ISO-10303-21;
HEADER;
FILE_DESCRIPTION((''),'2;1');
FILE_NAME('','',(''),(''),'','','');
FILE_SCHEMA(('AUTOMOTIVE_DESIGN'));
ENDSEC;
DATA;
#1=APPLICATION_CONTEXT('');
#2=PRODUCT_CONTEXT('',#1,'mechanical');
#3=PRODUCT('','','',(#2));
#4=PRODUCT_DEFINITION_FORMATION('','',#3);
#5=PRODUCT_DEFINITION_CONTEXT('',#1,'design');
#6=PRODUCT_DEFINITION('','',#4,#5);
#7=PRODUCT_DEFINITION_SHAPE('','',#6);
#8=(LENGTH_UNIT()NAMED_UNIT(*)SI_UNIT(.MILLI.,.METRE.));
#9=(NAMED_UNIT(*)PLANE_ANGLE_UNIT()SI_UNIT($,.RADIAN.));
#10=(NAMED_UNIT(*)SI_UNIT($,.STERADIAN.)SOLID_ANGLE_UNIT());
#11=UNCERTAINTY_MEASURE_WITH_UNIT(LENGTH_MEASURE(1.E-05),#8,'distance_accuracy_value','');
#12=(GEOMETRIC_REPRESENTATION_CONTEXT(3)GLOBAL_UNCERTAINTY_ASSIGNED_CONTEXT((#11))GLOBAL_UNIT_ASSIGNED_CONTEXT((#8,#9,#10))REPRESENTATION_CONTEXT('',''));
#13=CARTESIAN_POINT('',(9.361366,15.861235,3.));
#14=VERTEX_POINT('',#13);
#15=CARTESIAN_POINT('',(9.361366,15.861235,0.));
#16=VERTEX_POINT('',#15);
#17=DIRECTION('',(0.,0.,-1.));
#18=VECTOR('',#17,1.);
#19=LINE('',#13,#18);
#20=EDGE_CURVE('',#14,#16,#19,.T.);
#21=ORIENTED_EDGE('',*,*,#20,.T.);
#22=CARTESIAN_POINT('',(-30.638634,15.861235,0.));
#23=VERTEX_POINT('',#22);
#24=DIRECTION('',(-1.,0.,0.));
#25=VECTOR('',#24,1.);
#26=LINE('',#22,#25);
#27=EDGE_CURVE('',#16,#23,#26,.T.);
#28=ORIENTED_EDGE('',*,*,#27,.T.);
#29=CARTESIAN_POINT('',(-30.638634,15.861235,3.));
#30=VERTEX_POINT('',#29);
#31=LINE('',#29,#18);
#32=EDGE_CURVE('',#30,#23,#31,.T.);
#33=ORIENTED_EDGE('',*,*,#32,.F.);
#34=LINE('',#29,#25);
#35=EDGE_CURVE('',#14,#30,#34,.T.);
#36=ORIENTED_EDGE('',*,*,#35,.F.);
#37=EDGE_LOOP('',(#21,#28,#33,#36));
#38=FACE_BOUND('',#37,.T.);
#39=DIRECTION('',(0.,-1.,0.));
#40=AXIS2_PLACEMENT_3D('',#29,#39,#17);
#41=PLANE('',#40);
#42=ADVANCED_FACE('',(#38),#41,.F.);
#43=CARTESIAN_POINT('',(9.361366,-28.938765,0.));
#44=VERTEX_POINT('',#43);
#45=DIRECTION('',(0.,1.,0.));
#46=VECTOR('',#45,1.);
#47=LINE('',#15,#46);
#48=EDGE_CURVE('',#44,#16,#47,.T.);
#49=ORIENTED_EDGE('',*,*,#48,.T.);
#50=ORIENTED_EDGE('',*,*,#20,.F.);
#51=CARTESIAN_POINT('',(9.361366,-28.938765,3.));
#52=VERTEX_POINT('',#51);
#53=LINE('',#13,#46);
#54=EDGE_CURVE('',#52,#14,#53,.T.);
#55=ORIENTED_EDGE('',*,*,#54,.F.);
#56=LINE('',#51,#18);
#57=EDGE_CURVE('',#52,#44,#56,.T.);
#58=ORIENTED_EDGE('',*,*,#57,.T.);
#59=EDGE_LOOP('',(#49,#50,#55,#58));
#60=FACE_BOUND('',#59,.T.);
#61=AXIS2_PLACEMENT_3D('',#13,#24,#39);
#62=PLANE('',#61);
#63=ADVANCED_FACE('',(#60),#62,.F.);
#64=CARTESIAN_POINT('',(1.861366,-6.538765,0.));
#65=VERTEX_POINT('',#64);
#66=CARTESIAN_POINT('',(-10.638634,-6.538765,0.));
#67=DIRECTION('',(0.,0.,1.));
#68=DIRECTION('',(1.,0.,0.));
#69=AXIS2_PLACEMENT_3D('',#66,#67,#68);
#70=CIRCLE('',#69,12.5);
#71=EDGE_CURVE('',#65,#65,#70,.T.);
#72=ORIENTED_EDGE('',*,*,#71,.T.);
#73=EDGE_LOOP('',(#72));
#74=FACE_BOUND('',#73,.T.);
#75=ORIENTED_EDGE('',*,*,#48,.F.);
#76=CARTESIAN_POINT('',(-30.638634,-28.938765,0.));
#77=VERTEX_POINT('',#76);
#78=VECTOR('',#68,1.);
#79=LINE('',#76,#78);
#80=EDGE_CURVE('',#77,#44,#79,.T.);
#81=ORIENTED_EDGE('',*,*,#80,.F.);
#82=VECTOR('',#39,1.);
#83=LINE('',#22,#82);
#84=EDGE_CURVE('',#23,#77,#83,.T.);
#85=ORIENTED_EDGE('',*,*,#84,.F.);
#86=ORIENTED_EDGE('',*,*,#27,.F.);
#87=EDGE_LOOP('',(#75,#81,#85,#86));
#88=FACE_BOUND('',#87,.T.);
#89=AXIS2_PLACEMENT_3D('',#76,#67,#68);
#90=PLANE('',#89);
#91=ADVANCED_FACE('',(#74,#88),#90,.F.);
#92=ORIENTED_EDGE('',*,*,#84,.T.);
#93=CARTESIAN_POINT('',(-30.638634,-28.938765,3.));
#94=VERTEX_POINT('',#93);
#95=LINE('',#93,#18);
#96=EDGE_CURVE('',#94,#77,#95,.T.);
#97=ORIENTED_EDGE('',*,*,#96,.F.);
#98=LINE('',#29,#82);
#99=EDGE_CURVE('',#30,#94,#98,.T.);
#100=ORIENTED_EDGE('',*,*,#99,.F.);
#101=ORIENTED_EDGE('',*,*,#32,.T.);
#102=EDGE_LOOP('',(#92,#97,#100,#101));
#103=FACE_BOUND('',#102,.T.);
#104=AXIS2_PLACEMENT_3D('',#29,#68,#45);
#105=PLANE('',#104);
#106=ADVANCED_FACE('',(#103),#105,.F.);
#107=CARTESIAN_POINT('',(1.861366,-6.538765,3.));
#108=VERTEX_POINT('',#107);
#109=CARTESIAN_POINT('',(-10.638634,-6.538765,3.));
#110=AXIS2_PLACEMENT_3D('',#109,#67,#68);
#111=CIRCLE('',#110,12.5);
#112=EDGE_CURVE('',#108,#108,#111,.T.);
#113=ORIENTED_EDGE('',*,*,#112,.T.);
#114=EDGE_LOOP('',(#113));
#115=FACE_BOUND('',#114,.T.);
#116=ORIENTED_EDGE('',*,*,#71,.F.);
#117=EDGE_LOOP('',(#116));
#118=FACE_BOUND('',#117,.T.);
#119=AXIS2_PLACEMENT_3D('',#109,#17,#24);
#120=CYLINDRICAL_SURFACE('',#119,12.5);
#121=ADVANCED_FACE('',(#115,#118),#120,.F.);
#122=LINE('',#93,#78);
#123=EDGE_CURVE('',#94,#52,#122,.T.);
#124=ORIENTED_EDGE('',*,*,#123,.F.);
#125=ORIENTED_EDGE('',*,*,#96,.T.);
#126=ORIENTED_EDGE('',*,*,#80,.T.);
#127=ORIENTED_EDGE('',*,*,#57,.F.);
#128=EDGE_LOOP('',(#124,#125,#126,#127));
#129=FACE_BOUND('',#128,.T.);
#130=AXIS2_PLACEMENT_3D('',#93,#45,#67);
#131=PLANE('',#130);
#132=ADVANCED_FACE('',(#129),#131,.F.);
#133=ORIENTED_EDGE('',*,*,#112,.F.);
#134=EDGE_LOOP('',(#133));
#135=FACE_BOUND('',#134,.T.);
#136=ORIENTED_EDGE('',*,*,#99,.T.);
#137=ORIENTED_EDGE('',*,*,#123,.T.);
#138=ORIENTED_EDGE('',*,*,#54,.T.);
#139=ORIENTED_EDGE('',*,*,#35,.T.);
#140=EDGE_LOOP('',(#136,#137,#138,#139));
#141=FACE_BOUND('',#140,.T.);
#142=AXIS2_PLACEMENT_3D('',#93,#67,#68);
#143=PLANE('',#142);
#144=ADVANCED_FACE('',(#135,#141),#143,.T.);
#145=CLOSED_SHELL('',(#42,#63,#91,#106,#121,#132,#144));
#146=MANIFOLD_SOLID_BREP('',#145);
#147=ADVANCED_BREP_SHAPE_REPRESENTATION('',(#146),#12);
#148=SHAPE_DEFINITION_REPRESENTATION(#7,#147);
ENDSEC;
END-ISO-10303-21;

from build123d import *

# Parameters (mm, degrees)
ESQUISSE1_W        = 40
ESQUISSE1_H        = 44.8
ESQUISSE1_R        = 12.5
BOSS_EXTRU_1_DEPTH = 3


with BuildPart() as part:
    # Esquisse1 → Boss.-Extru.1 (new body)
    with BuildSketch(Plane.XY):
        with Locations((-10.638634092, -6.538765295)):
            Rectangle(ESQUISSE1_W, ESQUISSE1_H)
        with Locations((-10.638634092, -6.538765295)):
            Circle(ESQUISSE1_R, mode=Mode.SUBTRACT)
    extrude(amount=BOSS_EXTRU_1_DEPTH)


solid = part.part
